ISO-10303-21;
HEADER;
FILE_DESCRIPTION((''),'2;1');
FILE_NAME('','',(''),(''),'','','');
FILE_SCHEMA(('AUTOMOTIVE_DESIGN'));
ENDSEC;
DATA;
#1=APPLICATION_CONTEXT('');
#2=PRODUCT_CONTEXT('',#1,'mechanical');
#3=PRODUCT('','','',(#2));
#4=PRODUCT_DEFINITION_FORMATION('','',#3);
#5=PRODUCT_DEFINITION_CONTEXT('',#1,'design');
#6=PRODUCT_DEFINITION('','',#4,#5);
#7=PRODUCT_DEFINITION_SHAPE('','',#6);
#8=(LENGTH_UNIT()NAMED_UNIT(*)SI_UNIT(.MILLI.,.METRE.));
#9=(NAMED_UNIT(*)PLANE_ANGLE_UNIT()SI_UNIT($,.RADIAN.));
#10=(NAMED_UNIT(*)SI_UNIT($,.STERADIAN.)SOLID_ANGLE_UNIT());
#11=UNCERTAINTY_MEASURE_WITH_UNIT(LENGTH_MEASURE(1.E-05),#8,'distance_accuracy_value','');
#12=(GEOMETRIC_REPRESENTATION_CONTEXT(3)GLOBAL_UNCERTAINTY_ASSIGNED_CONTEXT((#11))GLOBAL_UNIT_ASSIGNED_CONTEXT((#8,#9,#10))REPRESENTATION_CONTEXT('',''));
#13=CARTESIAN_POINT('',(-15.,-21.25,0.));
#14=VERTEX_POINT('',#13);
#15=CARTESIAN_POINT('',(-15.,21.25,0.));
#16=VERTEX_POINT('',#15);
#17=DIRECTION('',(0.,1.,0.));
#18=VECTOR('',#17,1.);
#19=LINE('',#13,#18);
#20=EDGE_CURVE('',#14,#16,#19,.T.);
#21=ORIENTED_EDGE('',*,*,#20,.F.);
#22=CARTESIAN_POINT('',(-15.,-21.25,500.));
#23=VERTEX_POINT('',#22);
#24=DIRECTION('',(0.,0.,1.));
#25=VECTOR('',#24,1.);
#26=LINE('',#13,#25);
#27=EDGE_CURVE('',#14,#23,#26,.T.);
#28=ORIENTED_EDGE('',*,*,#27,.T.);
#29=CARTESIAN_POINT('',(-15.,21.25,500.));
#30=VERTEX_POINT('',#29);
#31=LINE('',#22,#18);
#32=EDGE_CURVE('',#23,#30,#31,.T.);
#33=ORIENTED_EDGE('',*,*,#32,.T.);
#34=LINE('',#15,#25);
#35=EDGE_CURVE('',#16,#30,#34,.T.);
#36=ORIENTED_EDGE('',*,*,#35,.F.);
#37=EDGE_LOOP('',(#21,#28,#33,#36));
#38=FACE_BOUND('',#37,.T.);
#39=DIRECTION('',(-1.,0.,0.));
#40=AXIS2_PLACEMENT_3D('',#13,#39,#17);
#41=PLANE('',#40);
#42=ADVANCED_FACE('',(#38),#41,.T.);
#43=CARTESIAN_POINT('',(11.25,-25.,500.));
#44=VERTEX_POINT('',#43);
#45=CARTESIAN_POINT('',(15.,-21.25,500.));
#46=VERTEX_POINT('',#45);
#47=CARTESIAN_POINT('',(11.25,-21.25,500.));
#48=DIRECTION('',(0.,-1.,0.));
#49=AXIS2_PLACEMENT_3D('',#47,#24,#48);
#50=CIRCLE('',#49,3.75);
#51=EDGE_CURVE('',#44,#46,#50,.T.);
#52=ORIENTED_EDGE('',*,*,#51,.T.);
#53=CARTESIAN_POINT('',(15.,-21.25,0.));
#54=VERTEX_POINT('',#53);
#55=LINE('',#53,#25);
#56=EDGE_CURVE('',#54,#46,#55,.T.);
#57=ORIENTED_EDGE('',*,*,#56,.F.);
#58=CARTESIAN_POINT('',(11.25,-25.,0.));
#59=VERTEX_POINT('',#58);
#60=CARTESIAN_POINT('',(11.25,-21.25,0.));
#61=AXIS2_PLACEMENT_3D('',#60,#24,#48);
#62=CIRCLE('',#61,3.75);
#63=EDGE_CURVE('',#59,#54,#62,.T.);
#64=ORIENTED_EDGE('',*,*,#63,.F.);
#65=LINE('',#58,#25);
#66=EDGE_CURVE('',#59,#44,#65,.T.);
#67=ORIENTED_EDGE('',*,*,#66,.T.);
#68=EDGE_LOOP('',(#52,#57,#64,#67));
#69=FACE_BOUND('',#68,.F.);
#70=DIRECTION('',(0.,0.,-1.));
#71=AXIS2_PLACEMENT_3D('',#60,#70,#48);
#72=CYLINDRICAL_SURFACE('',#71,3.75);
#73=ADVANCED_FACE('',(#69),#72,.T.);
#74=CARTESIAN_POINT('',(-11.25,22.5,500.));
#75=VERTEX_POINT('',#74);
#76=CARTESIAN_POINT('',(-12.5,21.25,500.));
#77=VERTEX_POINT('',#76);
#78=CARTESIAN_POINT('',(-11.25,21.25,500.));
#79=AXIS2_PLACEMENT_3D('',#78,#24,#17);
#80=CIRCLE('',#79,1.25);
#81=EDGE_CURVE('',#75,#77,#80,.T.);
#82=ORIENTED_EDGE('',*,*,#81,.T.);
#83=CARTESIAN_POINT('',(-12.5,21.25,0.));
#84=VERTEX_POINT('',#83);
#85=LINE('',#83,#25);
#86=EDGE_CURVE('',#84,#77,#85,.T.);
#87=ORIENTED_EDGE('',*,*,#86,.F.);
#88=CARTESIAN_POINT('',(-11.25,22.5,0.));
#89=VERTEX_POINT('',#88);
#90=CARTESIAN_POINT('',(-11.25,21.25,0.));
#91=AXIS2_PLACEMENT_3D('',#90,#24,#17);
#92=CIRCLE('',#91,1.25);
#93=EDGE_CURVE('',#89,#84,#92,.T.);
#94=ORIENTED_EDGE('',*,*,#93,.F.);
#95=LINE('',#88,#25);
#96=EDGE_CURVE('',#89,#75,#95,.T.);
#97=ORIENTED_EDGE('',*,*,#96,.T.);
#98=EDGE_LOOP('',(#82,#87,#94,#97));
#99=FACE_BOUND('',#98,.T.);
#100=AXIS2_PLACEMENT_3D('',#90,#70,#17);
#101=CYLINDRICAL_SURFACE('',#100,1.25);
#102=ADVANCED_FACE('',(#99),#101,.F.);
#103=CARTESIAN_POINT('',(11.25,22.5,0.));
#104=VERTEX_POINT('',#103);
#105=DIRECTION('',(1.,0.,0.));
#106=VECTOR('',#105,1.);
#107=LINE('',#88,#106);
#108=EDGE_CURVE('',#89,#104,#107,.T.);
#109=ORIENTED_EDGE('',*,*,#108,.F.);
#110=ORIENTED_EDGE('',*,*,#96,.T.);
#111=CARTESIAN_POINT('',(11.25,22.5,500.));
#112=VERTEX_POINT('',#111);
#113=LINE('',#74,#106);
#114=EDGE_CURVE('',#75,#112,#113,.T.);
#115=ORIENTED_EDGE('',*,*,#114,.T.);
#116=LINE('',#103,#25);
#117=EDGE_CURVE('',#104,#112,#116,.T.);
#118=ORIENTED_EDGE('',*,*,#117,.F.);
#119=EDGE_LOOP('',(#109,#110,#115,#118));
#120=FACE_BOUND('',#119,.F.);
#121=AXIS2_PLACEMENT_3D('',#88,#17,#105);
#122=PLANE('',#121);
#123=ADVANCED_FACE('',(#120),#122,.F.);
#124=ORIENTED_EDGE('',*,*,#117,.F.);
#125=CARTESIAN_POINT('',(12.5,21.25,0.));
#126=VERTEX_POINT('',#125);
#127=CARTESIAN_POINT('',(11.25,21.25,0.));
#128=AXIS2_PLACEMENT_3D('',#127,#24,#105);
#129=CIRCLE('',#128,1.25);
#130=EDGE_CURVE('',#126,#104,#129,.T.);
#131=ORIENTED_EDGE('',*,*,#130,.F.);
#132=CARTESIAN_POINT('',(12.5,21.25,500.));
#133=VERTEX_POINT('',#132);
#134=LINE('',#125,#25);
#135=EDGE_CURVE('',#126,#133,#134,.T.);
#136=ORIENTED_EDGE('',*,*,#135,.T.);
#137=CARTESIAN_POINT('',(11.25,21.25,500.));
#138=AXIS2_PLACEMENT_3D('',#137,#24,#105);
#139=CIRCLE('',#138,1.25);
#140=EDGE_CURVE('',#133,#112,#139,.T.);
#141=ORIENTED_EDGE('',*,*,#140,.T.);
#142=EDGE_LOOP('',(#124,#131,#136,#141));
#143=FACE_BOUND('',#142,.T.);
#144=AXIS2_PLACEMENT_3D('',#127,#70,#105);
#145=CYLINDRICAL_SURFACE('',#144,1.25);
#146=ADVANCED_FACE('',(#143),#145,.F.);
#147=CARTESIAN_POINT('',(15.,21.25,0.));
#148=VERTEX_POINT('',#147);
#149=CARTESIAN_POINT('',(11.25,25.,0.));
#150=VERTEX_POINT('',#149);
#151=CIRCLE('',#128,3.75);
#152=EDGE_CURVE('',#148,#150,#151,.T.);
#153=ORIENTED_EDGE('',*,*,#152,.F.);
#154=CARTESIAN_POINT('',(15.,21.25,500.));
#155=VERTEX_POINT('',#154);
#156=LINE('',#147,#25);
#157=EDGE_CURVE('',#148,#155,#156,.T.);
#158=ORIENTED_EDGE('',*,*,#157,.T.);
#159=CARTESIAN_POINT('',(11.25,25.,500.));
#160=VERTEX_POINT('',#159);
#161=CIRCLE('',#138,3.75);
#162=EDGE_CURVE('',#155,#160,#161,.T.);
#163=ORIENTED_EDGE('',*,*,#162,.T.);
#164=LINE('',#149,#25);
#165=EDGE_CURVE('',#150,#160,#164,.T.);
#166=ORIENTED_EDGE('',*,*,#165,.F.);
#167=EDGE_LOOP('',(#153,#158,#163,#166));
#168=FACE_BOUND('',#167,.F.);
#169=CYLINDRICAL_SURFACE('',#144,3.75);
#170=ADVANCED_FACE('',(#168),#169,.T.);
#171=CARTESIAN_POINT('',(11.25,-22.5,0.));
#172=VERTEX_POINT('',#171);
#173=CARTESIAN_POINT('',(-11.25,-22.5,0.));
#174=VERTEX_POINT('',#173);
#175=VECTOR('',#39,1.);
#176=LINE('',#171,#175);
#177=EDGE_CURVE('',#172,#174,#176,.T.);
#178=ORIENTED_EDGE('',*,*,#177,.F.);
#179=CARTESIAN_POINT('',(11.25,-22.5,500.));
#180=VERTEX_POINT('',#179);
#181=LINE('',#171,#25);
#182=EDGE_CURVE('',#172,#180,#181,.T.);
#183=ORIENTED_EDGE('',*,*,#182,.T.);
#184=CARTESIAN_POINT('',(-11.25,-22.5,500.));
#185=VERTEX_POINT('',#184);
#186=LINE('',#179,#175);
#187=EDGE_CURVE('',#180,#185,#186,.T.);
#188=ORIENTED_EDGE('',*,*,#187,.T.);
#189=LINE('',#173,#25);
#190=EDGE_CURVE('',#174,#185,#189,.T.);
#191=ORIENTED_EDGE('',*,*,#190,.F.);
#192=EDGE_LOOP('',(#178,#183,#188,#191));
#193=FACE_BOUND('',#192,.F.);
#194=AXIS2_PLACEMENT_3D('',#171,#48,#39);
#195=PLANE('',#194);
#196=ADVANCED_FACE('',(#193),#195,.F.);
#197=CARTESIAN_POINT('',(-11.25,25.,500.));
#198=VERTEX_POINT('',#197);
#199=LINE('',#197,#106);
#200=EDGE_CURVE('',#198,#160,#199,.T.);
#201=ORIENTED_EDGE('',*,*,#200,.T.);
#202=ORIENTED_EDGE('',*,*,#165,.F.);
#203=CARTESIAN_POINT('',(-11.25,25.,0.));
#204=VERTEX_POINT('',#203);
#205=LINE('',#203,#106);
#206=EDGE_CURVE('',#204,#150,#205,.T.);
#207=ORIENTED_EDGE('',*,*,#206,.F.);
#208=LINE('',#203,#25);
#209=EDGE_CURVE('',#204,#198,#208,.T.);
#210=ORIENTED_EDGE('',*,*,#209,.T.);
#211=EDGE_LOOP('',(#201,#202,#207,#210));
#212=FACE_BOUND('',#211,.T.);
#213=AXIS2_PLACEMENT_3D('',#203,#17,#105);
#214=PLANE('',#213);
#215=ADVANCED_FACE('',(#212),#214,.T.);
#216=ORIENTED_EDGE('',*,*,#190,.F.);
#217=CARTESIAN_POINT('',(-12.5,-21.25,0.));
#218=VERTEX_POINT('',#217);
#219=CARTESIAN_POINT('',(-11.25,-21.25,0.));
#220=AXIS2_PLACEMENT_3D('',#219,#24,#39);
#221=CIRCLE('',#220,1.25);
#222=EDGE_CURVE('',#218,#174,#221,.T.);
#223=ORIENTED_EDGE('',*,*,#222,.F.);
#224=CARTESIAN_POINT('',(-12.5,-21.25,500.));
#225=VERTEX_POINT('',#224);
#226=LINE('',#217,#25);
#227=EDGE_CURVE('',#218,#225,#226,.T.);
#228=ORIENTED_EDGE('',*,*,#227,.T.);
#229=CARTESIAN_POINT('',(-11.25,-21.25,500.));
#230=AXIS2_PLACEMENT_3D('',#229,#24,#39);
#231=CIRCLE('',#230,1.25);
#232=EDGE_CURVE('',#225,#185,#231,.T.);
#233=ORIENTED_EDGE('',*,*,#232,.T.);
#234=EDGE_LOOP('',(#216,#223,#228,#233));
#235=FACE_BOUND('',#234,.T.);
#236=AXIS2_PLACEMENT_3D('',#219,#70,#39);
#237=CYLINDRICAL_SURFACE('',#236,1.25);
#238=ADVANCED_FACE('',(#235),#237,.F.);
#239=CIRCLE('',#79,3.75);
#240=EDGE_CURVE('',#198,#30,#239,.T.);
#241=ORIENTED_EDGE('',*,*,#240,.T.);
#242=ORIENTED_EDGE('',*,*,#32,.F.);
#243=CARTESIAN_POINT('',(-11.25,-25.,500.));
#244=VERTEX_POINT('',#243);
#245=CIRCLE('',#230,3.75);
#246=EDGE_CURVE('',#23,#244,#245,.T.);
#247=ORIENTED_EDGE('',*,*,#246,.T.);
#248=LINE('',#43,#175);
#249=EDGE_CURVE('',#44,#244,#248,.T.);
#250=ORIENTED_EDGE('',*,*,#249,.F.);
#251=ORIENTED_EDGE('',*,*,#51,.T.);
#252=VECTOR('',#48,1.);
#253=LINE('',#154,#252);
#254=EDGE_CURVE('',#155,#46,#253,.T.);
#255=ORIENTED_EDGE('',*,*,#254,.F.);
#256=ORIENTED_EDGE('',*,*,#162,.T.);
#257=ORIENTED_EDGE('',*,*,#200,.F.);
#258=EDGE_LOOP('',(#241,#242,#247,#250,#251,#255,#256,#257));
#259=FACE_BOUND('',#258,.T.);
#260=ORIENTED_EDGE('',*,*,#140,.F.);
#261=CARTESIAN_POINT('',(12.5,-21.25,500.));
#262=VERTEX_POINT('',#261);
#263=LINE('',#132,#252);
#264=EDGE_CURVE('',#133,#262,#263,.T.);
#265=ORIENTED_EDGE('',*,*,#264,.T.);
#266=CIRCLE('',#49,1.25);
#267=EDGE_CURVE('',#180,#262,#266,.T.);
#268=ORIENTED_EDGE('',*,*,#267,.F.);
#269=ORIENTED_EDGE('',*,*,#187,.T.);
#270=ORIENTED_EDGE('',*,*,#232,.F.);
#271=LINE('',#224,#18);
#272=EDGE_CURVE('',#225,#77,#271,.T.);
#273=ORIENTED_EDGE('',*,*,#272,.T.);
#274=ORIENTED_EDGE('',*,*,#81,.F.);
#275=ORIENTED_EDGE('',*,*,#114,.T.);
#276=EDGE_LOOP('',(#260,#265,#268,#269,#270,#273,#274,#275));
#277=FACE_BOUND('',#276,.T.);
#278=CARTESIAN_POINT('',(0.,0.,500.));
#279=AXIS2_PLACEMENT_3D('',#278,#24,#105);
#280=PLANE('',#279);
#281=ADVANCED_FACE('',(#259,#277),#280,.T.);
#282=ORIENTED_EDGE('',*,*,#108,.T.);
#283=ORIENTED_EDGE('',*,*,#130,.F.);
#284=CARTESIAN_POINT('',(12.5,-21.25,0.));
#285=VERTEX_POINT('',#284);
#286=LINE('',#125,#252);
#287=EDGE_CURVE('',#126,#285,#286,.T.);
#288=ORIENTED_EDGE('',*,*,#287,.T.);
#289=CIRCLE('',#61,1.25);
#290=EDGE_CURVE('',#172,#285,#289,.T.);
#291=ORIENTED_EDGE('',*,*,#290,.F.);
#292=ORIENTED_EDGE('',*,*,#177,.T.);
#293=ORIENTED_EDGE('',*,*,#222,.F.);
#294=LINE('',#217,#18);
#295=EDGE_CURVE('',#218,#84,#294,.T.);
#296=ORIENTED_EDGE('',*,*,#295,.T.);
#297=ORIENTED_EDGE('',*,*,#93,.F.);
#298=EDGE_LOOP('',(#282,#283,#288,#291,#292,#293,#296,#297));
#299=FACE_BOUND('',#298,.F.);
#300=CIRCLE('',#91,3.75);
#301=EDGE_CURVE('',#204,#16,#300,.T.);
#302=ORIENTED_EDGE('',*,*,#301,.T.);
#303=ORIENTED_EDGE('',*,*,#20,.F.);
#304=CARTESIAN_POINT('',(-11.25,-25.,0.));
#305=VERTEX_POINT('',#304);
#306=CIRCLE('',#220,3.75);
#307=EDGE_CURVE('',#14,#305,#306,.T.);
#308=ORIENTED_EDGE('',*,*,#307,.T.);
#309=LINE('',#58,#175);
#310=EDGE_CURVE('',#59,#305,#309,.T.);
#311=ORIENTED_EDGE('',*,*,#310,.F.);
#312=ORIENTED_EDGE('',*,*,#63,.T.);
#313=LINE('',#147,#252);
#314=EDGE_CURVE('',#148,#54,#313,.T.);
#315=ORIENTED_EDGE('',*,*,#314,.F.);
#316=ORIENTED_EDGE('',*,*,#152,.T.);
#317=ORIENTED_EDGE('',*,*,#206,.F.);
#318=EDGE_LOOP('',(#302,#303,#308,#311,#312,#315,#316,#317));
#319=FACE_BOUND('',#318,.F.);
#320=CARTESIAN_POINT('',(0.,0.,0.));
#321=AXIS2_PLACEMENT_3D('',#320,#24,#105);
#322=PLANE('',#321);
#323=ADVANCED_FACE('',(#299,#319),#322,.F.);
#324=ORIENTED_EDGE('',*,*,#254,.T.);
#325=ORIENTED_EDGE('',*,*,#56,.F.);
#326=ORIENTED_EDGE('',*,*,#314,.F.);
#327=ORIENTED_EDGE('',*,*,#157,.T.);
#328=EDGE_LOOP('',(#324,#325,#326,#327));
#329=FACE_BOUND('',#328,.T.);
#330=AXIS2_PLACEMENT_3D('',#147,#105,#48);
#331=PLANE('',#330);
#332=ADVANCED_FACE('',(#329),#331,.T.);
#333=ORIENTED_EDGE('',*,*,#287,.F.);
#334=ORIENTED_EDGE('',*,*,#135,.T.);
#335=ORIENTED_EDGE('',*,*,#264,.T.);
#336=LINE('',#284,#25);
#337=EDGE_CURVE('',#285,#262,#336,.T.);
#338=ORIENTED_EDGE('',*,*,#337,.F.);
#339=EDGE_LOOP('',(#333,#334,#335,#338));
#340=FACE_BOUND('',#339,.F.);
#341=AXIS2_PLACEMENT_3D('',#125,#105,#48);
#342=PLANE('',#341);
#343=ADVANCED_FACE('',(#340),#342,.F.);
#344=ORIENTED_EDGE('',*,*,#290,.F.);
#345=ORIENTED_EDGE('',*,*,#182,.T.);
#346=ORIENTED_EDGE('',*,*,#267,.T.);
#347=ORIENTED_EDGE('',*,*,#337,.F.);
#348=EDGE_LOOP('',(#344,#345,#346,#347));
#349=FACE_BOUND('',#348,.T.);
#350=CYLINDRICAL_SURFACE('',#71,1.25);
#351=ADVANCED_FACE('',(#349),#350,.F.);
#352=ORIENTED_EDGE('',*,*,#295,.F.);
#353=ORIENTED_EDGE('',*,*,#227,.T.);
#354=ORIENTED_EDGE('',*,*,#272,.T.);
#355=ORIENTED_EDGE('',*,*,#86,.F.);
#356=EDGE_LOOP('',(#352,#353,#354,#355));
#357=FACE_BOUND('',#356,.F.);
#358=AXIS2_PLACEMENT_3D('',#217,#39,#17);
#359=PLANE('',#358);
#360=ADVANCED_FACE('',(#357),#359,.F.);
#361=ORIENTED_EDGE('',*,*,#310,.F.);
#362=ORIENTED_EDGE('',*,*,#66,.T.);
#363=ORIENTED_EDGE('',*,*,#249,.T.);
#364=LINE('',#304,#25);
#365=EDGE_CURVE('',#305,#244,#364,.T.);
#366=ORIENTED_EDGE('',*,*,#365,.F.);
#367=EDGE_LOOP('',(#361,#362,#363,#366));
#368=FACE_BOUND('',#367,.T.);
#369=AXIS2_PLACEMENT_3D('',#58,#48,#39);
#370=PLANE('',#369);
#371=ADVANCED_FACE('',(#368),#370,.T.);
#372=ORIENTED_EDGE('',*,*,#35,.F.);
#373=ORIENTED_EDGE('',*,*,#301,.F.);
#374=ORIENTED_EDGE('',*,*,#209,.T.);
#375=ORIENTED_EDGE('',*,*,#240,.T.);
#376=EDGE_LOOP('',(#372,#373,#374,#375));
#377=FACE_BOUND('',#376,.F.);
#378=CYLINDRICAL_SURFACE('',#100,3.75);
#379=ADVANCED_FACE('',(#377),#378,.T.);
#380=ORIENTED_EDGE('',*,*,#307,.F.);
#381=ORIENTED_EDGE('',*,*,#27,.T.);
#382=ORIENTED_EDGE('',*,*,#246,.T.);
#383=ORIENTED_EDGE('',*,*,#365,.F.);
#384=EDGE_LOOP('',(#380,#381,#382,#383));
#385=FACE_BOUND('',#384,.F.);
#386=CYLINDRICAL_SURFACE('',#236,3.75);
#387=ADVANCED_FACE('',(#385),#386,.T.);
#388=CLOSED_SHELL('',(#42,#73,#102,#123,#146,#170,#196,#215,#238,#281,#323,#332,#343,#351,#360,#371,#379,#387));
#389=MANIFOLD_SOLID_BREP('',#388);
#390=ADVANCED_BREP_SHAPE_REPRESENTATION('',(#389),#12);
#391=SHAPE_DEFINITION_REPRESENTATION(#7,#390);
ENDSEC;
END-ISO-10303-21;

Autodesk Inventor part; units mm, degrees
ref_plane "YZ Plane" through (0, 0, 0) normal (1, 0, 0) x (0, 1, 0)
ref_plane "Start plane" through (0, 0, 0) normal (0, 0, 1) x (1, 0, 0)
ref_plane "End plane" through (0, 0, 500) normal (0, 0, 1) x (1, 0, 0)
sketch "Sketch" plane through (0, 0, 0) normal (0, 0, 1) x (1, 0, 0)
  line L0 (-15, -21.25) -> (-15, 21.25)
  line L1 (-11.25, 25) -> (11.25, 25)
  line L2 (15, 21.25) -> (15, -21.25)
  line L3 (11.25, -25) -> (-11.25, -25)
  arc A0 (-15, -21.25) -> (-11.25, -25) centre (-11.25, -21.25) ccw
  arc A1 (-11.25, 25) -> (-15, 21.25) centre (-11.25, 21.25) ccw
  arc A2 (15, 21.25) -> (11.25, 25) centre (11.25, 21.25) ccw
  arc A3 (11.25, -25) -> (15, -21.25) centre (11.25, -21.25) ccw
  arc A4 (-11.25, 22.5) -> (-12.5, 21.25) centre (-11.25, 21.25) ccw
  line L4 (-11.25, 22.5) -> (11.25, 22.5)
  arc A5 (12.5, 21.25) -> (11.25, 22.5) centre (11.25, 21.25) ccw
  line L5 (12.5, 21.25) -> (12.5, -21.25)
  arc A6 (11.25, -22.5) -> (12.5, -21.25) centre (11.25, -21.25) ccw
  line L6 (11.25, -22.5) -> (-11.25, -22.5)
  arc A7 (-12.5, -21.25) -> (-11.25, -22.5) centre (-11.25, -21.25) ccw
  line L7 (-12.5, -21.25) -> (-12.5, 21.25)
  line L8 (0, 36.0873) -> (0, -36.0873) construction
  line L9 (-22.0873, 0) -> (22.0873, 0) construction
  dimension "d7" = 3.75
  dimension "d10" = 50
  dimension "d11" = 30
  dimension "d12" = 2.5
  dimension "d15" = 25
  dimension "d16" = 15
extrude "Body" add sketch "Sketch" along normal up to surface (500 mm away) from surface at 0
sketch "Sketch3" plane through (0, 0, 0) normal (0, 0, 1) x (1, 0, 0)
  line L0 (0, 0) -> (10, 0)
ref_plane "Work Plane3" through (0, 0, 0) normal (0, -1, 0) x (1, 0, 0)
sketch "Sketch4" plane through (0, 0, 0) normal (0, -1, 0) x (1, 0, 0)
  line L0 (-2, 0) -> (12, 0)
  line L1 (-2, 500) -> (12, 500)
  dimension "d18" = 500
equation "\"d7\" = G_IR"
equation "\"d10\" = G_H"
equation "\"d11\" = G_W"
equation "\"d12\" = G_T"
equation "\"d15\" = 0.5 * d10"
equation "\"d16\" = 0.5 * d11"
equation "\"d3\" = G_L"
equation "\"G_W\" = 30"
equation "\"G_H\" = 50"
equation "\"G_T\" = 2.5"
equation "\"G_IR\" = 3.75"
equation "\"G_L\" = d18"
equation "\"G_OFFSET_START\" = 0"
equation "\"G_OFFSET_END\" = 0"
properties part number "EN 10210-2 - 50 x 30 x 2,5 - 500" material "Steel, Mild"
